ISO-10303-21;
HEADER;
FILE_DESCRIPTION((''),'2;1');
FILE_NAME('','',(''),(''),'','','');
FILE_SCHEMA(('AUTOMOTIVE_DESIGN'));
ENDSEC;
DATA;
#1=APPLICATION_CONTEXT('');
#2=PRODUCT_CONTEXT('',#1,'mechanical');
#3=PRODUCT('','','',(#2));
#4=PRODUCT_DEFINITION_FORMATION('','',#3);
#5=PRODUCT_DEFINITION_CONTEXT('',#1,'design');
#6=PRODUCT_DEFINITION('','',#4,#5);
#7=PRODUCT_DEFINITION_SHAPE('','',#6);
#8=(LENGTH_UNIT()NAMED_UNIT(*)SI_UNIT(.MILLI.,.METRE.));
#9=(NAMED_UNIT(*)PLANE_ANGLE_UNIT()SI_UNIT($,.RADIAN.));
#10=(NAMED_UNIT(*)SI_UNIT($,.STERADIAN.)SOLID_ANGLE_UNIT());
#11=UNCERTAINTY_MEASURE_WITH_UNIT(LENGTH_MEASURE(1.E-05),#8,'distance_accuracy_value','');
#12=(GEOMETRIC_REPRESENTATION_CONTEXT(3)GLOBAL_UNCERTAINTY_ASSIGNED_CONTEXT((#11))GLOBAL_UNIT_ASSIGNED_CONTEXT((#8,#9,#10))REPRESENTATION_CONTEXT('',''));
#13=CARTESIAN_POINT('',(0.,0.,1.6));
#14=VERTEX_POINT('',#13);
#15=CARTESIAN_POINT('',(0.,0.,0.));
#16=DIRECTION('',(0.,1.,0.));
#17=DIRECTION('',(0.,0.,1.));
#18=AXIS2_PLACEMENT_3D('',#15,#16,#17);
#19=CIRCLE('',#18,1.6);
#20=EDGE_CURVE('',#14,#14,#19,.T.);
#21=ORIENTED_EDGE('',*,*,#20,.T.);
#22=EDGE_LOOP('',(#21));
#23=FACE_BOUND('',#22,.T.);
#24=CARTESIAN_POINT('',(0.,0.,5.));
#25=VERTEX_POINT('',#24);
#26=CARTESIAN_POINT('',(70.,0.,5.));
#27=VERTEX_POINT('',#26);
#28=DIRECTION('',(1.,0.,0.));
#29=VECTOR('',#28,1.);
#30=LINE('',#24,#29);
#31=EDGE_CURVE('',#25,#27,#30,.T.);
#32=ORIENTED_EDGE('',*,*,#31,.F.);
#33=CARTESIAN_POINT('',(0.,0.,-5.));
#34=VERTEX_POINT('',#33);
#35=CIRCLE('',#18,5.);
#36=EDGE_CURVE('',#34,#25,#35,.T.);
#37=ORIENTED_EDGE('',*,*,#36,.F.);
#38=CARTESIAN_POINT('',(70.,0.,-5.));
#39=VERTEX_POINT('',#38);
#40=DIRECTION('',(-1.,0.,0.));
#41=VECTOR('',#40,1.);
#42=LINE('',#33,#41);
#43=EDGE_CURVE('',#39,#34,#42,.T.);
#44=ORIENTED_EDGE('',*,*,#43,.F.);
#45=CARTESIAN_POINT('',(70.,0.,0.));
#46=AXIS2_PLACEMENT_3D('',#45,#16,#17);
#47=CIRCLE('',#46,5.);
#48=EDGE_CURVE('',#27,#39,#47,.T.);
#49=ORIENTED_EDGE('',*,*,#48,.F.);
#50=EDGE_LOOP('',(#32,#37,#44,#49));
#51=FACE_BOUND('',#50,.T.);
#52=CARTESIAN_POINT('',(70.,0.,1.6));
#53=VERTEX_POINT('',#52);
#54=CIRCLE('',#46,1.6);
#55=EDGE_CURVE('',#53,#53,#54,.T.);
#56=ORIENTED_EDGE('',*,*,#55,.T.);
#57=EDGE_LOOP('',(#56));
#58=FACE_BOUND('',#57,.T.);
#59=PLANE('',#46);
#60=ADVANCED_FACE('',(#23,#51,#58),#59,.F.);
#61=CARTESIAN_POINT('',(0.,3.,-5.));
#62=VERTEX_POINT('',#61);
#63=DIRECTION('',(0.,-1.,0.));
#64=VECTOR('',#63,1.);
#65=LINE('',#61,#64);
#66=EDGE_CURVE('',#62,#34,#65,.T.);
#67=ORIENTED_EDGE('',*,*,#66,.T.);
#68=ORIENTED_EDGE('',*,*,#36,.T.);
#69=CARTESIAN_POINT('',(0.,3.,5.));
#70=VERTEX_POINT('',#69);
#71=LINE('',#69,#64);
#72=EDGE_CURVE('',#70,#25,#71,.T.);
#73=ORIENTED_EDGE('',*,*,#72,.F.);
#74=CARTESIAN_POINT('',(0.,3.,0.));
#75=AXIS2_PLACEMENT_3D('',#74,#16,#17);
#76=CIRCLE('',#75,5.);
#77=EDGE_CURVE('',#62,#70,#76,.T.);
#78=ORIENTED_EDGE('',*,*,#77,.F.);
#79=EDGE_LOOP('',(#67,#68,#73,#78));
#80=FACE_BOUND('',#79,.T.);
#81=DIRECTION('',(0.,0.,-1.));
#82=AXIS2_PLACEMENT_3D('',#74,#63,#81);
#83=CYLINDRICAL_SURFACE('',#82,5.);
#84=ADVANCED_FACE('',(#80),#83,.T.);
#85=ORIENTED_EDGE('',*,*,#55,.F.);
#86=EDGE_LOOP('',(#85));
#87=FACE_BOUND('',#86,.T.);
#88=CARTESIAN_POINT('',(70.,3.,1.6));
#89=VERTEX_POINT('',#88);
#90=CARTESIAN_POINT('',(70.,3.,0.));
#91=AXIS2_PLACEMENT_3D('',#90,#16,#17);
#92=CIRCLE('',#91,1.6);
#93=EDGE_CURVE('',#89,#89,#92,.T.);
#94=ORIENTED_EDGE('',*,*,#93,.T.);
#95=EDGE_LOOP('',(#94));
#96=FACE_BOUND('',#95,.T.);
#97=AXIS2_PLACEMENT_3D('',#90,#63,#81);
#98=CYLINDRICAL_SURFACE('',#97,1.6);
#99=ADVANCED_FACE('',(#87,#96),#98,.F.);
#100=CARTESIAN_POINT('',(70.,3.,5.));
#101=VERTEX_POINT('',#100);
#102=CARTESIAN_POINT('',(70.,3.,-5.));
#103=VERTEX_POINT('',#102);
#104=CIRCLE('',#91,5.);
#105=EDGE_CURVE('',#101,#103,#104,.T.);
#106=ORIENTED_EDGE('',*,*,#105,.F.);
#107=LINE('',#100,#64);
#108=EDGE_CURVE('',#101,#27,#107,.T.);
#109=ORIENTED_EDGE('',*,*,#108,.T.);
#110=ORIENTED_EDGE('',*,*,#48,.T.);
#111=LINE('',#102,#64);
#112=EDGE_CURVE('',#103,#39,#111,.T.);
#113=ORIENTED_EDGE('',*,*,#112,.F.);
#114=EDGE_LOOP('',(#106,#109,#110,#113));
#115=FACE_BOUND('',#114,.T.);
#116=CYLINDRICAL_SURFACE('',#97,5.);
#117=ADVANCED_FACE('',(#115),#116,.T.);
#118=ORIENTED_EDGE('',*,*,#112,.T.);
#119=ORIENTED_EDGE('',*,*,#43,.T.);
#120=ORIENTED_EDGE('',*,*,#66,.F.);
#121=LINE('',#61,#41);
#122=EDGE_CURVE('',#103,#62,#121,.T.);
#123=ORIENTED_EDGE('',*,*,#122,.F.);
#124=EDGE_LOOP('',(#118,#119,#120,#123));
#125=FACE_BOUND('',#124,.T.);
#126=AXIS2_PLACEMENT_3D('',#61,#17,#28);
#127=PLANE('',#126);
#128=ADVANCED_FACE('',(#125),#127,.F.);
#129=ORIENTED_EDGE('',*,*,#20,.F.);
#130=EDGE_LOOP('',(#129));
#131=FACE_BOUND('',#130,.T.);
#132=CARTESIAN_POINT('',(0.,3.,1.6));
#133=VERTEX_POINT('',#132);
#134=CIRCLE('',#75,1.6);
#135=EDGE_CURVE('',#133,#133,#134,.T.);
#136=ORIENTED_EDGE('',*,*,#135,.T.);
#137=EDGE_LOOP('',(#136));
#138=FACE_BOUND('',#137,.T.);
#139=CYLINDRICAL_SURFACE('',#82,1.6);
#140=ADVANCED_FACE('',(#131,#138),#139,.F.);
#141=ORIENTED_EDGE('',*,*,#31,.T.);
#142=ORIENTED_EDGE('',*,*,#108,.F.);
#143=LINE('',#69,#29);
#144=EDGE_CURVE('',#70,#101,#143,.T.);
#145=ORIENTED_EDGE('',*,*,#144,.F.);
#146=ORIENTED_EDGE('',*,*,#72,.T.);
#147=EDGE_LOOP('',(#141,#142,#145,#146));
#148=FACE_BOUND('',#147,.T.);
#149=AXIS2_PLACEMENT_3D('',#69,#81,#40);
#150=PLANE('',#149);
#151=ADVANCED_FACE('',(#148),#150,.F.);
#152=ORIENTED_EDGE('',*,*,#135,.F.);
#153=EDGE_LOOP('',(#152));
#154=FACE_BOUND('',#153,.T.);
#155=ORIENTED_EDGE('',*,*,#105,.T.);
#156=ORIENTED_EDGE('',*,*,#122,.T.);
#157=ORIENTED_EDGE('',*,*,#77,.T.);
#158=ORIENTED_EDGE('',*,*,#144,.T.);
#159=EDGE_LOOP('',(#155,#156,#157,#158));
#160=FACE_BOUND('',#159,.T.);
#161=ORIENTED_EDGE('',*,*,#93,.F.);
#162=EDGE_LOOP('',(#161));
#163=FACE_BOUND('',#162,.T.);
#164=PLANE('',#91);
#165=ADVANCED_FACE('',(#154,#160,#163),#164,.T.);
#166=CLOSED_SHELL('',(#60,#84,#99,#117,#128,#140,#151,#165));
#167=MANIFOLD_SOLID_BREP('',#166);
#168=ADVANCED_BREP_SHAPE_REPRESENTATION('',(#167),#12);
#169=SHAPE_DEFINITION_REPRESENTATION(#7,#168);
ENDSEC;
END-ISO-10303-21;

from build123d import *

# Parameters (mm, degrees)
SKETCH_1_R      = 1.6
EXTRUDE_1_DEPTH = 3


with BuildPart() as part:
    # ｽｹｯﾁ1 → ﾎﾞｽ - 押し出し1 (new body)
    with BuildSketch(Plane(origin=(0, 0, 0), x_dir=(1, 0, 0), z_dir=(0, 1, 0))):
        with BuildLine():
            Line((0, -5), (70, -5))
            ThreePointArc((70, -5), (75, 0), (70, 5))
            Line((70, 5), (0, 5))
            ThreePointArc((0, 5), (-5, 0), (0, -5))
        make_face()
        with Locations(Location((0, 0, 0), (0, 0, 270))):
            Circle(SKETCH_1_R, mode=Mode.SUBTRACT)
        with Locations(Location((70, 0, 0), (0, 0, 270))):
            Circle(SKETCH_1_R, mode=Mode.SUBTRACT)
    extrude(amount=EXTRUDE_1_DEPTH)


solid = part.part
